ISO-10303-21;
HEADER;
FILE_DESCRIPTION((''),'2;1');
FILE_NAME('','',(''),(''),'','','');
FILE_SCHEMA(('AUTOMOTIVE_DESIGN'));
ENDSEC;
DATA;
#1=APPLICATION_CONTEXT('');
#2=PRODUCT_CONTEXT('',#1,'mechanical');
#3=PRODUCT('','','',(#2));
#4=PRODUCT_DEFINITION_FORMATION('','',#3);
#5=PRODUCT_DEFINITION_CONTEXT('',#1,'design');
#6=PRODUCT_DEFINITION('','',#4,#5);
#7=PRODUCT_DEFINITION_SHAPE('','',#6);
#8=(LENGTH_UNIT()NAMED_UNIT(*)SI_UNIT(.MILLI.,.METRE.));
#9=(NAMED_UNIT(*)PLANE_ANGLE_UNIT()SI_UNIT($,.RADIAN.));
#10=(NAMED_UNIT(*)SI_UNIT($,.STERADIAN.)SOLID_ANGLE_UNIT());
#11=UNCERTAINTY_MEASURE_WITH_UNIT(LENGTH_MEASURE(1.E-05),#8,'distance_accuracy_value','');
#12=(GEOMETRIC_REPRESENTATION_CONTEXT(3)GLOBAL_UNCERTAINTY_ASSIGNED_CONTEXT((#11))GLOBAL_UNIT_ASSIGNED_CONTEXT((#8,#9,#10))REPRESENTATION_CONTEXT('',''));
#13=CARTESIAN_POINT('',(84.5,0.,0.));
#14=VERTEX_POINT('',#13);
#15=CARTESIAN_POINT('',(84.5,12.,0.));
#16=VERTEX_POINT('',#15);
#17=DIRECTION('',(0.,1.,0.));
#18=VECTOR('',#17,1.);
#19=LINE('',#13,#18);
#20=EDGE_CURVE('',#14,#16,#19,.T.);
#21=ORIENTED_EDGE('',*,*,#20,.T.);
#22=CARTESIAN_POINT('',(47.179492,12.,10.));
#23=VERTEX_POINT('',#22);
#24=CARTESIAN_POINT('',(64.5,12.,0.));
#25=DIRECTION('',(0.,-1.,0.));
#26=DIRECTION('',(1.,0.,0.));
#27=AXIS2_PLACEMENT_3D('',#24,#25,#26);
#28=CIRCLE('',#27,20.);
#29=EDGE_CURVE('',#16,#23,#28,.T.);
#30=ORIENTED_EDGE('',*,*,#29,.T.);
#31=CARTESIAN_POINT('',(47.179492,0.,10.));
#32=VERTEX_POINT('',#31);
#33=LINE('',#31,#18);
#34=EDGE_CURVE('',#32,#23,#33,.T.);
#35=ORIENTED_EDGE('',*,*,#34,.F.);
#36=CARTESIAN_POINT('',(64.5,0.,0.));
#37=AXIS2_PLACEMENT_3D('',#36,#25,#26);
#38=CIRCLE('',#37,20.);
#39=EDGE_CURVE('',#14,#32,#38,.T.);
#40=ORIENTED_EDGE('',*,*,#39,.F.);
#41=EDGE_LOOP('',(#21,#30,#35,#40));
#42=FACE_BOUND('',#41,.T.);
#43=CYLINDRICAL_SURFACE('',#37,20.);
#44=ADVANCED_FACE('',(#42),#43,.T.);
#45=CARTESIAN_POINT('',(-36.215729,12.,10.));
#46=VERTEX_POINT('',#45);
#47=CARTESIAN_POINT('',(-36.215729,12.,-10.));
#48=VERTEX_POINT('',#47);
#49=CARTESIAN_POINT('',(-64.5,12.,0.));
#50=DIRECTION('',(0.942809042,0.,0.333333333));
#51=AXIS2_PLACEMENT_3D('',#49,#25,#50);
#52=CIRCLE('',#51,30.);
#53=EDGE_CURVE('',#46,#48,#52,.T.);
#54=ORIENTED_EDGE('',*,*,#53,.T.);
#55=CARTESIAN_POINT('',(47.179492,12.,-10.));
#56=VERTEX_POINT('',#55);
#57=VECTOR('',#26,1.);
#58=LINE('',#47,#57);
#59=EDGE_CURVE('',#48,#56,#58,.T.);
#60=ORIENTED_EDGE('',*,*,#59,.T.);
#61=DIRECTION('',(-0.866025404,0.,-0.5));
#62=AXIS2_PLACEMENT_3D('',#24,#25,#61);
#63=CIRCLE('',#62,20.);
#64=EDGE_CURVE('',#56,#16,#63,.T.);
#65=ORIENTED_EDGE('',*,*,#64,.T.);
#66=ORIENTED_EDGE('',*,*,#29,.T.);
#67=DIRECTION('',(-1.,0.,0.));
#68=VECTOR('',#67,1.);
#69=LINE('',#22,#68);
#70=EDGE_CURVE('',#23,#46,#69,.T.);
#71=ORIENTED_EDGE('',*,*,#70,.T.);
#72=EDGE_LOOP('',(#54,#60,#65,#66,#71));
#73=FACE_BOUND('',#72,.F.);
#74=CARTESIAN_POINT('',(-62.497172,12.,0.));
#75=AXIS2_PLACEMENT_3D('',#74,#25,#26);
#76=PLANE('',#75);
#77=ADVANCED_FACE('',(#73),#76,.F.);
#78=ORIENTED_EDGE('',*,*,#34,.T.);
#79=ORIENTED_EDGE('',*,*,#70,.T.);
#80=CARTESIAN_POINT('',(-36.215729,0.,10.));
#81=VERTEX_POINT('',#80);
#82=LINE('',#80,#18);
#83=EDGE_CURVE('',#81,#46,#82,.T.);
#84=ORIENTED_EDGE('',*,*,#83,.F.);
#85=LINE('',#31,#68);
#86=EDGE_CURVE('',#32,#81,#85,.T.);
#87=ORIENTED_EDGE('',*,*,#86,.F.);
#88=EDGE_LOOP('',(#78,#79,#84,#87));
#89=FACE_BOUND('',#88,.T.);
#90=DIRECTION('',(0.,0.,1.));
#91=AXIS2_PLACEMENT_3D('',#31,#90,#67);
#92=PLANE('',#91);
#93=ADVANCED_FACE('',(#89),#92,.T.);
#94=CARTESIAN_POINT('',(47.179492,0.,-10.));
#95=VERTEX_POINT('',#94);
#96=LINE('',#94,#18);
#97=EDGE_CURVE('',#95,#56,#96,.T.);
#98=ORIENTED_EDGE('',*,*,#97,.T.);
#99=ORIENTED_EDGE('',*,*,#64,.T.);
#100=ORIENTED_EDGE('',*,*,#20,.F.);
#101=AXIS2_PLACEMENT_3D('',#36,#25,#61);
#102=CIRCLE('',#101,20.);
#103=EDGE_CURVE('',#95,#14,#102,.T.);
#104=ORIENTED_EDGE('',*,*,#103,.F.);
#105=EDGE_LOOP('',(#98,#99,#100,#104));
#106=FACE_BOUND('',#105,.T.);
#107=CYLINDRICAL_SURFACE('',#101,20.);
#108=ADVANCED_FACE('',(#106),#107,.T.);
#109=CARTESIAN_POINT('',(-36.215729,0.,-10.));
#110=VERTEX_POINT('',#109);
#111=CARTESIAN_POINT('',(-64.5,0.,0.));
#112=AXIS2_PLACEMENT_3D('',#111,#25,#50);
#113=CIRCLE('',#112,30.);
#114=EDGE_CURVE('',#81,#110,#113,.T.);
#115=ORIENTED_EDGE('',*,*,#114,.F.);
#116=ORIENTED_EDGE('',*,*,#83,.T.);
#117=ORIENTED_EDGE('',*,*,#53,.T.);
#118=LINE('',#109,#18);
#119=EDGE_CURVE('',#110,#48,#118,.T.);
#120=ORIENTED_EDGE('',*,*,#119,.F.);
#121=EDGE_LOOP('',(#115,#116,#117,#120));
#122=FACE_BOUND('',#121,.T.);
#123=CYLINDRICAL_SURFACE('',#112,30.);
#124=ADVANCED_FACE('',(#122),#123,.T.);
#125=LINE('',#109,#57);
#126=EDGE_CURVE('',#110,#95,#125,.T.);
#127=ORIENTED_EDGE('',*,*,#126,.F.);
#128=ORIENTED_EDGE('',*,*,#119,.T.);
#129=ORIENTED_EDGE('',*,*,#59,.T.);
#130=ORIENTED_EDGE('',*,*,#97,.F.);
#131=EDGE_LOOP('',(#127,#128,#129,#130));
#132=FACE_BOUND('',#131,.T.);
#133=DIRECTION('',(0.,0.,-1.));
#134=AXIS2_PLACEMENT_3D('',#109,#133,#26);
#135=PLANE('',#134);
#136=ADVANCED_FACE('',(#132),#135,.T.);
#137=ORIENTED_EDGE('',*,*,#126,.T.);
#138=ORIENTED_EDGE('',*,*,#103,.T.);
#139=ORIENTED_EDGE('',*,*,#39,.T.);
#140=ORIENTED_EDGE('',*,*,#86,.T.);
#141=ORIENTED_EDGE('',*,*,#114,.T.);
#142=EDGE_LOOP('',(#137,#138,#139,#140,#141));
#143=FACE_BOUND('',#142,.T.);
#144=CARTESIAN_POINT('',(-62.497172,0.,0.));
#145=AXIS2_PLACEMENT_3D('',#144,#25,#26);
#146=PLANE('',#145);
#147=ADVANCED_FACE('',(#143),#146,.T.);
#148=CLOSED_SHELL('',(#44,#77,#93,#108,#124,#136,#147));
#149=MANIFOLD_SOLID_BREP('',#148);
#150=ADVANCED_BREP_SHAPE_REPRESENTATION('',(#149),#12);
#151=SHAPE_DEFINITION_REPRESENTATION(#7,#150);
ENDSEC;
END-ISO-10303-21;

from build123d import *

# Parameters (mm, degrees)
F1_DEPTH = 12


with BuildPart() as f1:
    # F0 (on Front) → F1 (new body)
    with BuildSketch(Plane.XZ):
        with BuildLine():
            Line((-64.5, -10), (-64.5, 10))
            Line((-64.5, 10), (-36.2157287525, 10))
            ThreePointArc((-36.2157287525, 10), (-94.5, 0), (-36.2157287525, -10))
            Line((-36.2157287525, -10), (-64.5, -10))
        make_face()
        with BuildLine():
            Line((-36.2157287525, 10), (-64.5, 10))
            Line((-64.5, 10), (-64.5, -10))
            Line((-64.5, -10), (-36.2157287525, -10))
            ThreePointArc((-36.2157287525, -10), (-34.9320432104, -5.0730593618), (-34.5, 0))
            ThreePointArc((-34.5, 0), (-34.9320432104, 5.0730593618), (-36.2157287525, 10))
        make_face()
        with BuildLine():
            Line((47.1794919243, 10), (-36.2157287525, 10))
            ThreePointArc((-36.2157287525, 10), (-34.9320432104, 5.0730593618), (-34.5, 0))
            ThreePointArc((-34.5, 0), (-34.9320432104, -5.0730593618), (-36.2157287525, -10))
            Line((-36.2157287525, -10), (47.1794919243, -10))
            ThreePointArc((47.1794919243, -10), (44.5, 0), (47.1794919243, 10))
        make_face()
        with BuildLine():
            ThreePointArc((84.5, 0), (69.6763809021, 19.3185165258), (47.1794919243, 10))
            Line((47.1794919243, 10), (64.5, 10))
            Line((64.5, 10), (64.5, -10))
            Line((64.5, -10), (47.1794919243, -10))
            ThreePointArc((47.1794919243, -10), (69.6763809021, -19.3185165258), (84.5, 0))
        make_face()
        with BuildLine():
            Line((64.5, 10), (47.1794919243, 10))
            ThreePointArc((47.1794919243, 10), (44.5, 0), (47.1794919243, -10))
            Line((47.1794919243, -10), (64.5, -10))
            Line((64.5, -10), (64.5, 10))
        make_face()
    extrude(amount=-F1_DEPTH)


solid = f1.part
